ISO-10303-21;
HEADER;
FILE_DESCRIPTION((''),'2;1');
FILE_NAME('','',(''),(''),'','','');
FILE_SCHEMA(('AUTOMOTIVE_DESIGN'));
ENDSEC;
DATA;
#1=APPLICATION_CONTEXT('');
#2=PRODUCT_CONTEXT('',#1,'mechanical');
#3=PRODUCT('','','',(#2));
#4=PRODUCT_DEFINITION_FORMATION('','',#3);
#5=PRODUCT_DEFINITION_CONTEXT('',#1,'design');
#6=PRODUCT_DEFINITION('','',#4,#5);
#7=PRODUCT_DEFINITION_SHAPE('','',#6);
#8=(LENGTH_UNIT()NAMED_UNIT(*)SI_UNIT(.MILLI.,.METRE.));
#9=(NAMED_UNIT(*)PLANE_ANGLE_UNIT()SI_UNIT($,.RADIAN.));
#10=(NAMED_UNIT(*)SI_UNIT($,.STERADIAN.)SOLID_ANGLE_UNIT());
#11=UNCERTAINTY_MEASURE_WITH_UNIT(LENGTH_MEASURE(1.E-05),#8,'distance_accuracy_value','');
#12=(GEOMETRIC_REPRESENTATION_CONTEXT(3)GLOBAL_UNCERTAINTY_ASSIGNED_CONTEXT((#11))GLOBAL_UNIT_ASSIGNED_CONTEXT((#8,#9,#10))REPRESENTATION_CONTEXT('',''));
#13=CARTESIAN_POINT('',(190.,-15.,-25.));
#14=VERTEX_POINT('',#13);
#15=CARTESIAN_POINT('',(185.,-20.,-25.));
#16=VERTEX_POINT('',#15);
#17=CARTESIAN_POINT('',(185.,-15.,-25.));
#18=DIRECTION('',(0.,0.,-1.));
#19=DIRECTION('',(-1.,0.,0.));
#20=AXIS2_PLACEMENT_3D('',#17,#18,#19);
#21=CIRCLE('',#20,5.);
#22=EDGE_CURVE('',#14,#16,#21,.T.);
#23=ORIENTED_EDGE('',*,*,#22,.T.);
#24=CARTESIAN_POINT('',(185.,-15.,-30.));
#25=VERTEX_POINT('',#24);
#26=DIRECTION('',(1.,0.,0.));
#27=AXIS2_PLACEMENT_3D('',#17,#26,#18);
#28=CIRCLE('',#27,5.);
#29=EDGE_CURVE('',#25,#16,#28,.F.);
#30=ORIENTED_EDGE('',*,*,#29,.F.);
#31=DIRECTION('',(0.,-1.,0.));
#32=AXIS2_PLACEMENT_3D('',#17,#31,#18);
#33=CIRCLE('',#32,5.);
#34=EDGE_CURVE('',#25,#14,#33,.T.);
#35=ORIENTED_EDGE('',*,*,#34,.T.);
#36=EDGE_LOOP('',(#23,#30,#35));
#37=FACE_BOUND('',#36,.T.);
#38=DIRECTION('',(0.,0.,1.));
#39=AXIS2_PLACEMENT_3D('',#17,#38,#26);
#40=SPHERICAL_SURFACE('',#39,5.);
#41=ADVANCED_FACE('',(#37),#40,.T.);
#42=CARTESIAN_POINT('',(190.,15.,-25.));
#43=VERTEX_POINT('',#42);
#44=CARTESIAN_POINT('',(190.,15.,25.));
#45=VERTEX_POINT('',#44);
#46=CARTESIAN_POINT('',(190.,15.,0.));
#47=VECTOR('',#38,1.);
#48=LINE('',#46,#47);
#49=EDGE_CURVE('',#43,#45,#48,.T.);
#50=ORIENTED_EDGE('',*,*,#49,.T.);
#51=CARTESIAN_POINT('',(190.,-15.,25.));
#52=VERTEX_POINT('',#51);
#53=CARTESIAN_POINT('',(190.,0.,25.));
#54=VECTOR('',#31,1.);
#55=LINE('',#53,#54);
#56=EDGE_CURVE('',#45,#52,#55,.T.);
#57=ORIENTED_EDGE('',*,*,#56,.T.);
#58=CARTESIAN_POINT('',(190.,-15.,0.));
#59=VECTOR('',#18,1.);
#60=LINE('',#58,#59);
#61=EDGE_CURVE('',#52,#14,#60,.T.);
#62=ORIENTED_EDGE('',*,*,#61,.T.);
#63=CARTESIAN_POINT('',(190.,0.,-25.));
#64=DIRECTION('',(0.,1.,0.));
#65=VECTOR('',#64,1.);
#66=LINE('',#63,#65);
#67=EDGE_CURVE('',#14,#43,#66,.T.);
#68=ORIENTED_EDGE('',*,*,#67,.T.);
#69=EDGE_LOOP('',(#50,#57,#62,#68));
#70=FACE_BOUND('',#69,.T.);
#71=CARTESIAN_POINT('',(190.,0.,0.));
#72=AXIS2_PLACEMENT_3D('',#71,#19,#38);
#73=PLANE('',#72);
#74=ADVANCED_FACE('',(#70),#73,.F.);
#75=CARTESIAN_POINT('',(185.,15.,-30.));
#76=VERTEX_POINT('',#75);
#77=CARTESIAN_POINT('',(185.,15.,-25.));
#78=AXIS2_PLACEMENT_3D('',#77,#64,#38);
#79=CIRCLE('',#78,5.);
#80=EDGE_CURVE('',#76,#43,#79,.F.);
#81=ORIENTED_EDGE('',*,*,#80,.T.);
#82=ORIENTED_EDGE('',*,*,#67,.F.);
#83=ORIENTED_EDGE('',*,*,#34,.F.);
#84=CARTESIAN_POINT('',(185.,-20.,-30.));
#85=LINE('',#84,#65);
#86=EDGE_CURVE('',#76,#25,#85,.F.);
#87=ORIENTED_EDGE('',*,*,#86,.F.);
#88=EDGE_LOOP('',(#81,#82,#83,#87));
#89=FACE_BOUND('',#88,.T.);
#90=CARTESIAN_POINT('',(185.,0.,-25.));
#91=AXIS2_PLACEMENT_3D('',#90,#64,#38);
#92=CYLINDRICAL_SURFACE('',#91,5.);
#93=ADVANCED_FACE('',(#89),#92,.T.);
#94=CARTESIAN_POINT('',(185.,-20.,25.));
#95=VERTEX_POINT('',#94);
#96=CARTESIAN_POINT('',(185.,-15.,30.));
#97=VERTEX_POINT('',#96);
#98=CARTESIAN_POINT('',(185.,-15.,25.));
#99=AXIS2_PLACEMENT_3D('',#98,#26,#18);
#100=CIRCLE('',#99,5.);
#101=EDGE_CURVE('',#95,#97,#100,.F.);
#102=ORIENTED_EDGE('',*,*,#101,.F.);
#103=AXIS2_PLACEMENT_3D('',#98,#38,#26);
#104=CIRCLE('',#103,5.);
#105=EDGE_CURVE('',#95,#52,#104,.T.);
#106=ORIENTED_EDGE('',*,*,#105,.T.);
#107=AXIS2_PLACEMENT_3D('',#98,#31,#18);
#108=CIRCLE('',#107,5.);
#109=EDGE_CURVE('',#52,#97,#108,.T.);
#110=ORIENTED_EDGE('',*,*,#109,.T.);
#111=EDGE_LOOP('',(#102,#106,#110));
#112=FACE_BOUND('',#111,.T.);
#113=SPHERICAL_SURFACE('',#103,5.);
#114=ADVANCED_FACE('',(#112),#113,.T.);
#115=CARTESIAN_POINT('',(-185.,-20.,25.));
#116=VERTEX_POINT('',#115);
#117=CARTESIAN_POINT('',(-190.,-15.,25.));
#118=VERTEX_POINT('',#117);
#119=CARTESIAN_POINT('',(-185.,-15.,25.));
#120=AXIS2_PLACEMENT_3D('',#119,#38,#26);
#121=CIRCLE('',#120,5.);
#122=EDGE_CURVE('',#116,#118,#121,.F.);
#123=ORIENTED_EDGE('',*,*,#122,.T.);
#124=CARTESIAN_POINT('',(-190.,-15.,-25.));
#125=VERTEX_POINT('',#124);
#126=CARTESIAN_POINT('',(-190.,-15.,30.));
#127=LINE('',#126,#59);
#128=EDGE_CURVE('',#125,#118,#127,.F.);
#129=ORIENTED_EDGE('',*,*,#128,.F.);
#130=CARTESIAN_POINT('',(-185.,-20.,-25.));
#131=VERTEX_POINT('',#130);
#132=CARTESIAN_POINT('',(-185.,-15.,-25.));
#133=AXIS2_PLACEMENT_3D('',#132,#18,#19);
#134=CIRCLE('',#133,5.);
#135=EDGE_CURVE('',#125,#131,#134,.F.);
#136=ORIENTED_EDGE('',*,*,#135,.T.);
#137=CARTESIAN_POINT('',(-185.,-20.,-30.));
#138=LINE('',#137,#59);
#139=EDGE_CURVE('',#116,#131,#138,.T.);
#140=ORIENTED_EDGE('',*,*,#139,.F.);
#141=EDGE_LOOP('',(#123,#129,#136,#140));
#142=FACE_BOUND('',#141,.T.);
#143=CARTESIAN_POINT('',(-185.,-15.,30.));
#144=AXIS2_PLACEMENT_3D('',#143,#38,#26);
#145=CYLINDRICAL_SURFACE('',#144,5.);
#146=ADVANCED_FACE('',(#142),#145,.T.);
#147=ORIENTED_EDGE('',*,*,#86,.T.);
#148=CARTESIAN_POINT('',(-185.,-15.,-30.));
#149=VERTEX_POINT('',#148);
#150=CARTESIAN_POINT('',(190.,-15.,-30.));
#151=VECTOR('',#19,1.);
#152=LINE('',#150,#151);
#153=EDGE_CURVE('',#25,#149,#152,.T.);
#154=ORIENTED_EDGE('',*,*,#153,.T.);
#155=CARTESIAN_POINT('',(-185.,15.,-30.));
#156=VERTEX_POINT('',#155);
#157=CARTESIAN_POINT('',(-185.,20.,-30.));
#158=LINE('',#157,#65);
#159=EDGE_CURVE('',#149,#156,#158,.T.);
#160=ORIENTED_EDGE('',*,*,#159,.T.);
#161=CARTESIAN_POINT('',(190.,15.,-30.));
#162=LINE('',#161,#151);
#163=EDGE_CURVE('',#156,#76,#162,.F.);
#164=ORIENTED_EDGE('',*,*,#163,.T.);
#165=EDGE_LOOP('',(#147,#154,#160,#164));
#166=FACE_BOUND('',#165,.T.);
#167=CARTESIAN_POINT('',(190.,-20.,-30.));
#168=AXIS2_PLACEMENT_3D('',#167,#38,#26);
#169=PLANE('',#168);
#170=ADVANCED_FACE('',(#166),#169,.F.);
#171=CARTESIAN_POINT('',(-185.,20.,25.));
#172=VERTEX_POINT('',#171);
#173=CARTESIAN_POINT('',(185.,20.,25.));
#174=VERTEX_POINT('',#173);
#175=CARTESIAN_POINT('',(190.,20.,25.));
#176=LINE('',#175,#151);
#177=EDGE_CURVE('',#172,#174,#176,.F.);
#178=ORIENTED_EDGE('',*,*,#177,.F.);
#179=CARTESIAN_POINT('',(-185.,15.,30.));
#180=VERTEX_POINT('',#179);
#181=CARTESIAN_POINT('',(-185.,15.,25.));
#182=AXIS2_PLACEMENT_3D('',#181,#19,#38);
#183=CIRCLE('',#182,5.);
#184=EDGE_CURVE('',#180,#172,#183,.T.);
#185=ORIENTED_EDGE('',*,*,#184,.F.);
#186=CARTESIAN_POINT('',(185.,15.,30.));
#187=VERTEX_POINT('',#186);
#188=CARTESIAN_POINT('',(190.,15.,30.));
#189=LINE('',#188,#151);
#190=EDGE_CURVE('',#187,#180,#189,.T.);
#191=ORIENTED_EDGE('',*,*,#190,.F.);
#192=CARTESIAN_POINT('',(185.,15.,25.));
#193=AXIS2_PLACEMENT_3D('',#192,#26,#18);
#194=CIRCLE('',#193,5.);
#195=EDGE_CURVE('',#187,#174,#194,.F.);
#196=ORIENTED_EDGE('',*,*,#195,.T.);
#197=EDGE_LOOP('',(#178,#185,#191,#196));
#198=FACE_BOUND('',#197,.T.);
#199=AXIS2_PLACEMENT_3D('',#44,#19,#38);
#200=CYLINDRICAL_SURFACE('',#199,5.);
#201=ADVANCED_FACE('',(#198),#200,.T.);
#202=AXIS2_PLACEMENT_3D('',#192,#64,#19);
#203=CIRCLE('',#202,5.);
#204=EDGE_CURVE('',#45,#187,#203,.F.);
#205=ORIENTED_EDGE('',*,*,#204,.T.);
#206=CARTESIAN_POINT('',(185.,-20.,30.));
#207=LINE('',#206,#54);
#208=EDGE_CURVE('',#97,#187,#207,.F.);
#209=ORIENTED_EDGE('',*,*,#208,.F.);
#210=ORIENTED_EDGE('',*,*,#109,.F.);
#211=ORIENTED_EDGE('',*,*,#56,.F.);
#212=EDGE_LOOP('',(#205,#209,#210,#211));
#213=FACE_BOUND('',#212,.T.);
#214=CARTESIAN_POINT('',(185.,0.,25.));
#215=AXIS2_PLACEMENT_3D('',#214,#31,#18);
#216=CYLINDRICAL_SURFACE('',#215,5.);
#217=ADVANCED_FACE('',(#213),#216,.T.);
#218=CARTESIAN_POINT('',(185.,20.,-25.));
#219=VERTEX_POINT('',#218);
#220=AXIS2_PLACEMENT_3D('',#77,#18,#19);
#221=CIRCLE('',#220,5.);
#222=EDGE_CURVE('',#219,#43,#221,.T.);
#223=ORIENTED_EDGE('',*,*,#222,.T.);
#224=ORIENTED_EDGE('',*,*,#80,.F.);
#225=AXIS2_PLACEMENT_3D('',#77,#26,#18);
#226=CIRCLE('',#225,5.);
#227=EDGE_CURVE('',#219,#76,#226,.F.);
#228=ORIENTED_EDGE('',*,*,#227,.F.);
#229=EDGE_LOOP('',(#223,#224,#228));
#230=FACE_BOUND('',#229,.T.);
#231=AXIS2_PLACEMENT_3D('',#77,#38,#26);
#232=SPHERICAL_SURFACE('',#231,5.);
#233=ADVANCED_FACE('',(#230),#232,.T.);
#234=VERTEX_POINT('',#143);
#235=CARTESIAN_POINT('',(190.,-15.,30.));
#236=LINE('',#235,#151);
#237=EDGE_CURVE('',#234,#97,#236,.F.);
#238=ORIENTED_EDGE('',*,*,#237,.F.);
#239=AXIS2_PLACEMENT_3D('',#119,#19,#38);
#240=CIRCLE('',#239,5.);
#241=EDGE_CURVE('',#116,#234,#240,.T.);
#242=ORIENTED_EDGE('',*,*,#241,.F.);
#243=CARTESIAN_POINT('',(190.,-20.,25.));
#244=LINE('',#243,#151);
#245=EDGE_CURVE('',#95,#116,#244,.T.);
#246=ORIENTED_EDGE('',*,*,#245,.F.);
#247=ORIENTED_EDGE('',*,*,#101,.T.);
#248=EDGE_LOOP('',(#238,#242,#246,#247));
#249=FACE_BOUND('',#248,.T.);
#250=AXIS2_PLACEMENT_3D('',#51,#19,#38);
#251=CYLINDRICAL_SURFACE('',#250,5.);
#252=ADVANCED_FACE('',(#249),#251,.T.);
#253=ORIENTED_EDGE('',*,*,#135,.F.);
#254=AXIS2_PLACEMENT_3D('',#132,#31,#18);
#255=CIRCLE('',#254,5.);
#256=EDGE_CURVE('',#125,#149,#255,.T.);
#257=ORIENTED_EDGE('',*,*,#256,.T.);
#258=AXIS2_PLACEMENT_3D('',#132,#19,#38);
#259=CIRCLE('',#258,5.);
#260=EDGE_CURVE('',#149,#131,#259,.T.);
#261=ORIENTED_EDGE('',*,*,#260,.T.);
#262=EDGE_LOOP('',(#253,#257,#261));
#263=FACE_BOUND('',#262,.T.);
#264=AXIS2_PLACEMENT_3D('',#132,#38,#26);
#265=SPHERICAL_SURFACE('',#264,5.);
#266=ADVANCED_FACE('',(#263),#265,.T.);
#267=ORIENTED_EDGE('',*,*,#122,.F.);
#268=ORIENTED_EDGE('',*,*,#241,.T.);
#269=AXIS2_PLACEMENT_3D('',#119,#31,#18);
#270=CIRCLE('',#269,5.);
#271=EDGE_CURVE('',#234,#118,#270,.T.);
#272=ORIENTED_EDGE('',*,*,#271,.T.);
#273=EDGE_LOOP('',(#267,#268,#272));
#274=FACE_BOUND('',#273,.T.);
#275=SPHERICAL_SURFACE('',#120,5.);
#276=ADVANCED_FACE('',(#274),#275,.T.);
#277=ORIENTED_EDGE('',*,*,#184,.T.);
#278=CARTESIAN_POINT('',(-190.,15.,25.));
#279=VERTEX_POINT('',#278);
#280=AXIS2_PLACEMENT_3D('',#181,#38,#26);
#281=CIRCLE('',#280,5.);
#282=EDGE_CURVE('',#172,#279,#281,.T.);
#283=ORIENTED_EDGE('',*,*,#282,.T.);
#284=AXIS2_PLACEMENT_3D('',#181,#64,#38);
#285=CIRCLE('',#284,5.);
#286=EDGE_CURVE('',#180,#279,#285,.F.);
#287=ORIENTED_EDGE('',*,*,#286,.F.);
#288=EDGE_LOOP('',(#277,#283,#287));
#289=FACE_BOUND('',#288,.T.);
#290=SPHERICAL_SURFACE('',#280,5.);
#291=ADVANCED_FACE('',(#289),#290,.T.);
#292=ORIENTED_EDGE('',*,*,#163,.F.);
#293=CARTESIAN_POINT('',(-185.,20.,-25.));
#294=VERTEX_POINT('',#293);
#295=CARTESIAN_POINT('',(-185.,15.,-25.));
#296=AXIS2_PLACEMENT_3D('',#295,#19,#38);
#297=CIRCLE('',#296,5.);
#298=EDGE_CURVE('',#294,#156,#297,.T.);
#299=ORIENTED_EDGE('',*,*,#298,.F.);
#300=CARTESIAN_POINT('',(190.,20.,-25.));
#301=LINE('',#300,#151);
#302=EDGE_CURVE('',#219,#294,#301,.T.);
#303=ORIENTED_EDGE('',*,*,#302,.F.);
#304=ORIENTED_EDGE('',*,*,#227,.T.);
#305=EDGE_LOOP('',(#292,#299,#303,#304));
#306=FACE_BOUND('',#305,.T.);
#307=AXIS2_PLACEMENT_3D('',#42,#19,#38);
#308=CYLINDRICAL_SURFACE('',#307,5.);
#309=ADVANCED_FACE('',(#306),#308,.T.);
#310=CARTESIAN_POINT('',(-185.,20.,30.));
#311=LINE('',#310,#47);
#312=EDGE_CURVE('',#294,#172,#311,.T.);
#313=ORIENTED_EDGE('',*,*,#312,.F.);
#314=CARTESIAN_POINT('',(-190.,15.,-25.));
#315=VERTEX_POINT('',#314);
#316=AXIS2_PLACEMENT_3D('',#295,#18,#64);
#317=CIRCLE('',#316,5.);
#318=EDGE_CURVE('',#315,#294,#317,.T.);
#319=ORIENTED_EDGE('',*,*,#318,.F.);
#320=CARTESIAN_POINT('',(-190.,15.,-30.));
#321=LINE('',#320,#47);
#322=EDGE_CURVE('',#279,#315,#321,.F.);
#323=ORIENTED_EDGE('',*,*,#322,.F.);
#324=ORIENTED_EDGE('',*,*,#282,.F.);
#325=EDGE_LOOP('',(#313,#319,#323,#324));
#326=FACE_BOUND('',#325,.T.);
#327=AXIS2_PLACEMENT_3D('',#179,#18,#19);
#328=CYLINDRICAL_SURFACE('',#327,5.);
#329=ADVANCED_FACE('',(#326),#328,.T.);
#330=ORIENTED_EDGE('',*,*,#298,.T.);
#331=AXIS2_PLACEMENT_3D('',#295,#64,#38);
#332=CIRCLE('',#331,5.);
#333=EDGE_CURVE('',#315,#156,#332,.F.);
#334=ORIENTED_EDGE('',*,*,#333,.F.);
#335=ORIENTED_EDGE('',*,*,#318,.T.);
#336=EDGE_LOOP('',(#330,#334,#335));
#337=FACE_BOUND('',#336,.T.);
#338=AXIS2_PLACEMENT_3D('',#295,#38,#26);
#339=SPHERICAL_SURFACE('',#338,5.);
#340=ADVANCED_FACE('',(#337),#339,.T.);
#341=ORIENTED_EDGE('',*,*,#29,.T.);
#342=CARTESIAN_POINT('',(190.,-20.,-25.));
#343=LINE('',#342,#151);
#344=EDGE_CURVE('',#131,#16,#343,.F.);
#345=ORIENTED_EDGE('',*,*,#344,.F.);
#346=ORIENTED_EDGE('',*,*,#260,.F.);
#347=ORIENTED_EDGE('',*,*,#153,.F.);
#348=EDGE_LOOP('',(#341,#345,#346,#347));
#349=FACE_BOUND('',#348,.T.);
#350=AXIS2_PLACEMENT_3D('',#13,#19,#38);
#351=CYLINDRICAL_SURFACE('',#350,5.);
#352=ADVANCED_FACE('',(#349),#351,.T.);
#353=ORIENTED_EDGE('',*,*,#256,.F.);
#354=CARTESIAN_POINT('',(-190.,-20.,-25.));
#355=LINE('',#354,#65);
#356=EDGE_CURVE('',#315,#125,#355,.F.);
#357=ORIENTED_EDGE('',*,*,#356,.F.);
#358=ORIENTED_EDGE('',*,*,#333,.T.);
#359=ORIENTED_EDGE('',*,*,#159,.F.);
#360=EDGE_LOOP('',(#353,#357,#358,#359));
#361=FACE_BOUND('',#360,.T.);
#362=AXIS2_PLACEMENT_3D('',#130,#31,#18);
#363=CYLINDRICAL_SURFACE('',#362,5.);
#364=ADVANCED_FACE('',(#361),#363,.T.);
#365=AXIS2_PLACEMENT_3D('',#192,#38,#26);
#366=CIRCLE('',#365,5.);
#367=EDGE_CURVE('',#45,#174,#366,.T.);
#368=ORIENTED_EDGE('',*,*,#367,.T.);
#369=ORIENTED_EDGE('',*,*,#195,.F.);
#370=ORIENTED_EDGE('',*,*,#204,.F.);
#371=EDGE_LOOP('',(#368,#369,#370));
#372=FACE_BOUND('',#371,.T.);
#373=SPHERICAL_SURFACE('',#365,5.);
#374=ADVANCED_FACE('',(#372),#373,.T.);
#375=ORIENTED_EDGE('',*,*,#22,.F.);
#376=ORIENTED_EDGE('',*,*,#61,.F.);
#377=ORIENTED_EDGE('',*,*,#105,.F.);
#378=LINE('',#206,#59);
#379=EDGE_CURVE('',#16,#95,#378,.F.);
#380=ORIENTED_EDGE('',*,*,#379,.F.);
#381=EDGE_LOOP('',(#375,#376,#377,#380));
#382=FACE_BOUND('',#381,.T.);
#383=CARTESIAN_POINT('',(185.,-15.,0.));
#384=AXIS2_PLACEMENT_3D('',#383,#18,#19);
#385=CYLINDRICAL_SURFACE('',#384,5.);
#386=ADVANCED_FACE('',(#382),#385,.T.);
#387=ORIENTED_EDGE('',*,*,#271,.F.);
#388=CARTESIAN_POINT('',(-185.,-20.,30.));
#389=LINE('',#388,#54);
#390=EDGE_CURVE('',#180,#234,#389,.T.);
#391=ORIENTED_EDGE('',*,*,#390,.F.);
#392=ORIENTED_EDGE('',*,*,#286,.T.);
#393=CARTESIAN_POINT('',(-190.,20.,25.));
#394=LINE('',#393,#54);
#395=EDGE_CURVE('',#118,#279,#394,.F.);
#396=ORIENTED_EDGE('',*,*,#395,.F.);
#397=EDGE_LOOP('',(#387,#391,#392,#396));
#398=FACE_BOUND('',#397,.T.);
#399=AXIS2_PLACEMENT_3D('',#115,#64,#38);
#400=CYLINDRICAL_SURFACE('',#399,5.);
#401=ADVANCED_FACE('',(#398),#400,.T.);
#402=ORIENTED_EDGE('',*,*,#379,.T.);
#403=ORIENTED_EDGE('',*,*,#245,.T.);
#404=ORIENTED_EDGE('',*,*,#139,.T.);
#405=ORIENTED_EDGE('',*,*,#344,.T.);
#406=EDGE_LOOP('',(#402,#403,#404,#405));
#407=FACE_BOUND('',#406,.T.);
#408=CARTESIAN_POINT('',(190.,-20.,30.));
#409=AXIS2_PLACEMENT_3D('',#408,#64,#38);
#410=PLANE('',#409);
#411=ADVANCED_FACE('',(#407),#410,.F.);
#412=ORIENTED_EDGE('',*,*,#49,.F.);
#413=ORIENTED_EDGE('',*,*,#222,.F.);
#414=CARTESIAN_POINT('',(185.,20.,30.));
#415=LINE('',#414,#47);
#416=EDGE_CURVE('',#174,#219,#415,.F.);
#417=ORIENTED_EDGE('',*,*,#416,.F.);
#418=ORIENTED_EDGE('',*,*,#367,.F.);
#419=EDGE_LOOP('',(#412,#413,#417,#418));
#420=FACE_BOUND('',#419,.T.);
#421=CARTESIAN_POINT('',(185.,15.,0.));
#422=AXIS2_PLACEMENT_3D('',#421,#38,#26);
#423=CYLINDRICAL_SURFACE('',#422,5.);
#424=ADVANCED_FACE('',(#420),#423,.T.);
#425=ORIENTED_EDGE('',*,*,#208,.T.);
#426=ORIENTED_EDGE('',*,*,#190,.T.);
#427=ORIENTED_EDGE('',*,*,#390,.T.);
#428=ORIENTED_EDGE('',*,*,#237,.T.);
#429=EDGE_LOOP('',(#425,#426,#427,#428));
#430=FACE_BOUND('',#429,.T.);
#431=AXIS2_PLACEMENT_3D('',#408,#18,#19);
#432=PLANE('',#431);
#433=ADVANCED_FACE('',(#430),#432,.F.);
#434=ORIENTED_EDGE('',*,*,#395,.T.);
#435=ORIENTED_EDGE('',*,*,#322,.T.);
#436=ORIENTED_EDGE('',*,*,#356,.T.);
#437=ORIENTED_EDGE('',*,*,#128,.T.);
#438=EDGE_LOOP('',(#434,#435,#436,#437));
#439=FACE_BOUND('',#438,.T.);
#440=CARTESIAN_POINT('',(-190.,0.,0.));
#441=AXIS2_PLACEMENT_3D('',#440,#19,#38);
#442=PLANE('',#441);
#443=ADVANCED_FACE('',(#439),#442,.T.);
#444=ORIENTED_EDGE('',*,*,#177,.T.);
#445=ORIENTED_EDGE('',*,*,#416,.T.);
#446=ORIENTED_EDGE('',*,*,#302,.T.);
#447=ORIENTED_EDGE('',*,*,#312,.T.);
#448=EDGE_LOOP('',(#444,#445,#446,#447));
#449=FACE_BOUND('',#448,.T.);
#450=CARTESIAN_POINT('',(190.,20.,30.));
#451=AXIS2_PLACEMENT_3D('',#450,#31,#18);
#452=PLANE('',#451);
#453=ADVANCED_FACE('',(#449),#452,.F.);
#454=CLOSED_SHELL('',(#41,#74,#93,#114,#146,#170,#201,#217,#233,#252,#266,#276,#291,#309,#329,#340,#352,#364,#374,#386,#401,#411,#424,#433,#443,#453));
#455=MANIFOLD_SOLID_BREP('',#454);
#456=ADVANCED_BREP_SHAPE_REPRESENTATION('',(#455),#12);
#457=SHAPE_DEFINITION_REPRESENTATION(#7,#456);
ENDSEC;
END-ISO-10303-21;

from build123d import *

# Parameters (mm, degrees)
SKETCH1_W           = 60
SKETCH1_H           = 40
BOSS_EXTRUDE1_DEPTH = 190
FILLET1_R           = 5


with BuildPart() as part:
    # Sketch1 → Boss-Extrude1 (new, symmetric)
    with BuildSketch(Plane(origin=(0, 0, 0), x_dir=(0, 0, -1), z_dir=(1, 0, 0))):
        Rectangle(SKETCH1_W, SKETCH1_H)
    extrude(amount=BOSS_EXTRUDE1_DEPTH, both=True)

    # Fillet1
    fillet1_edges = [part.edges().sort_by_distance(p)[0] for p in [
        (190, 0, 30),
        (190, -20, 0),
        (190, 0, -30),
        (-190, -20, 0),
        (-190, 0, 30),
        (-190, 20, 0),
        (-190, 0, -30),
        (190, 20, 0),
        (0, -20, -30),
        (0, -20, 30),
        (0, 20, 30),
        (0, 20, -30),
    ]]
    fillet(fillet1_edges, radius=FILLET1_R)


solid = part.part
